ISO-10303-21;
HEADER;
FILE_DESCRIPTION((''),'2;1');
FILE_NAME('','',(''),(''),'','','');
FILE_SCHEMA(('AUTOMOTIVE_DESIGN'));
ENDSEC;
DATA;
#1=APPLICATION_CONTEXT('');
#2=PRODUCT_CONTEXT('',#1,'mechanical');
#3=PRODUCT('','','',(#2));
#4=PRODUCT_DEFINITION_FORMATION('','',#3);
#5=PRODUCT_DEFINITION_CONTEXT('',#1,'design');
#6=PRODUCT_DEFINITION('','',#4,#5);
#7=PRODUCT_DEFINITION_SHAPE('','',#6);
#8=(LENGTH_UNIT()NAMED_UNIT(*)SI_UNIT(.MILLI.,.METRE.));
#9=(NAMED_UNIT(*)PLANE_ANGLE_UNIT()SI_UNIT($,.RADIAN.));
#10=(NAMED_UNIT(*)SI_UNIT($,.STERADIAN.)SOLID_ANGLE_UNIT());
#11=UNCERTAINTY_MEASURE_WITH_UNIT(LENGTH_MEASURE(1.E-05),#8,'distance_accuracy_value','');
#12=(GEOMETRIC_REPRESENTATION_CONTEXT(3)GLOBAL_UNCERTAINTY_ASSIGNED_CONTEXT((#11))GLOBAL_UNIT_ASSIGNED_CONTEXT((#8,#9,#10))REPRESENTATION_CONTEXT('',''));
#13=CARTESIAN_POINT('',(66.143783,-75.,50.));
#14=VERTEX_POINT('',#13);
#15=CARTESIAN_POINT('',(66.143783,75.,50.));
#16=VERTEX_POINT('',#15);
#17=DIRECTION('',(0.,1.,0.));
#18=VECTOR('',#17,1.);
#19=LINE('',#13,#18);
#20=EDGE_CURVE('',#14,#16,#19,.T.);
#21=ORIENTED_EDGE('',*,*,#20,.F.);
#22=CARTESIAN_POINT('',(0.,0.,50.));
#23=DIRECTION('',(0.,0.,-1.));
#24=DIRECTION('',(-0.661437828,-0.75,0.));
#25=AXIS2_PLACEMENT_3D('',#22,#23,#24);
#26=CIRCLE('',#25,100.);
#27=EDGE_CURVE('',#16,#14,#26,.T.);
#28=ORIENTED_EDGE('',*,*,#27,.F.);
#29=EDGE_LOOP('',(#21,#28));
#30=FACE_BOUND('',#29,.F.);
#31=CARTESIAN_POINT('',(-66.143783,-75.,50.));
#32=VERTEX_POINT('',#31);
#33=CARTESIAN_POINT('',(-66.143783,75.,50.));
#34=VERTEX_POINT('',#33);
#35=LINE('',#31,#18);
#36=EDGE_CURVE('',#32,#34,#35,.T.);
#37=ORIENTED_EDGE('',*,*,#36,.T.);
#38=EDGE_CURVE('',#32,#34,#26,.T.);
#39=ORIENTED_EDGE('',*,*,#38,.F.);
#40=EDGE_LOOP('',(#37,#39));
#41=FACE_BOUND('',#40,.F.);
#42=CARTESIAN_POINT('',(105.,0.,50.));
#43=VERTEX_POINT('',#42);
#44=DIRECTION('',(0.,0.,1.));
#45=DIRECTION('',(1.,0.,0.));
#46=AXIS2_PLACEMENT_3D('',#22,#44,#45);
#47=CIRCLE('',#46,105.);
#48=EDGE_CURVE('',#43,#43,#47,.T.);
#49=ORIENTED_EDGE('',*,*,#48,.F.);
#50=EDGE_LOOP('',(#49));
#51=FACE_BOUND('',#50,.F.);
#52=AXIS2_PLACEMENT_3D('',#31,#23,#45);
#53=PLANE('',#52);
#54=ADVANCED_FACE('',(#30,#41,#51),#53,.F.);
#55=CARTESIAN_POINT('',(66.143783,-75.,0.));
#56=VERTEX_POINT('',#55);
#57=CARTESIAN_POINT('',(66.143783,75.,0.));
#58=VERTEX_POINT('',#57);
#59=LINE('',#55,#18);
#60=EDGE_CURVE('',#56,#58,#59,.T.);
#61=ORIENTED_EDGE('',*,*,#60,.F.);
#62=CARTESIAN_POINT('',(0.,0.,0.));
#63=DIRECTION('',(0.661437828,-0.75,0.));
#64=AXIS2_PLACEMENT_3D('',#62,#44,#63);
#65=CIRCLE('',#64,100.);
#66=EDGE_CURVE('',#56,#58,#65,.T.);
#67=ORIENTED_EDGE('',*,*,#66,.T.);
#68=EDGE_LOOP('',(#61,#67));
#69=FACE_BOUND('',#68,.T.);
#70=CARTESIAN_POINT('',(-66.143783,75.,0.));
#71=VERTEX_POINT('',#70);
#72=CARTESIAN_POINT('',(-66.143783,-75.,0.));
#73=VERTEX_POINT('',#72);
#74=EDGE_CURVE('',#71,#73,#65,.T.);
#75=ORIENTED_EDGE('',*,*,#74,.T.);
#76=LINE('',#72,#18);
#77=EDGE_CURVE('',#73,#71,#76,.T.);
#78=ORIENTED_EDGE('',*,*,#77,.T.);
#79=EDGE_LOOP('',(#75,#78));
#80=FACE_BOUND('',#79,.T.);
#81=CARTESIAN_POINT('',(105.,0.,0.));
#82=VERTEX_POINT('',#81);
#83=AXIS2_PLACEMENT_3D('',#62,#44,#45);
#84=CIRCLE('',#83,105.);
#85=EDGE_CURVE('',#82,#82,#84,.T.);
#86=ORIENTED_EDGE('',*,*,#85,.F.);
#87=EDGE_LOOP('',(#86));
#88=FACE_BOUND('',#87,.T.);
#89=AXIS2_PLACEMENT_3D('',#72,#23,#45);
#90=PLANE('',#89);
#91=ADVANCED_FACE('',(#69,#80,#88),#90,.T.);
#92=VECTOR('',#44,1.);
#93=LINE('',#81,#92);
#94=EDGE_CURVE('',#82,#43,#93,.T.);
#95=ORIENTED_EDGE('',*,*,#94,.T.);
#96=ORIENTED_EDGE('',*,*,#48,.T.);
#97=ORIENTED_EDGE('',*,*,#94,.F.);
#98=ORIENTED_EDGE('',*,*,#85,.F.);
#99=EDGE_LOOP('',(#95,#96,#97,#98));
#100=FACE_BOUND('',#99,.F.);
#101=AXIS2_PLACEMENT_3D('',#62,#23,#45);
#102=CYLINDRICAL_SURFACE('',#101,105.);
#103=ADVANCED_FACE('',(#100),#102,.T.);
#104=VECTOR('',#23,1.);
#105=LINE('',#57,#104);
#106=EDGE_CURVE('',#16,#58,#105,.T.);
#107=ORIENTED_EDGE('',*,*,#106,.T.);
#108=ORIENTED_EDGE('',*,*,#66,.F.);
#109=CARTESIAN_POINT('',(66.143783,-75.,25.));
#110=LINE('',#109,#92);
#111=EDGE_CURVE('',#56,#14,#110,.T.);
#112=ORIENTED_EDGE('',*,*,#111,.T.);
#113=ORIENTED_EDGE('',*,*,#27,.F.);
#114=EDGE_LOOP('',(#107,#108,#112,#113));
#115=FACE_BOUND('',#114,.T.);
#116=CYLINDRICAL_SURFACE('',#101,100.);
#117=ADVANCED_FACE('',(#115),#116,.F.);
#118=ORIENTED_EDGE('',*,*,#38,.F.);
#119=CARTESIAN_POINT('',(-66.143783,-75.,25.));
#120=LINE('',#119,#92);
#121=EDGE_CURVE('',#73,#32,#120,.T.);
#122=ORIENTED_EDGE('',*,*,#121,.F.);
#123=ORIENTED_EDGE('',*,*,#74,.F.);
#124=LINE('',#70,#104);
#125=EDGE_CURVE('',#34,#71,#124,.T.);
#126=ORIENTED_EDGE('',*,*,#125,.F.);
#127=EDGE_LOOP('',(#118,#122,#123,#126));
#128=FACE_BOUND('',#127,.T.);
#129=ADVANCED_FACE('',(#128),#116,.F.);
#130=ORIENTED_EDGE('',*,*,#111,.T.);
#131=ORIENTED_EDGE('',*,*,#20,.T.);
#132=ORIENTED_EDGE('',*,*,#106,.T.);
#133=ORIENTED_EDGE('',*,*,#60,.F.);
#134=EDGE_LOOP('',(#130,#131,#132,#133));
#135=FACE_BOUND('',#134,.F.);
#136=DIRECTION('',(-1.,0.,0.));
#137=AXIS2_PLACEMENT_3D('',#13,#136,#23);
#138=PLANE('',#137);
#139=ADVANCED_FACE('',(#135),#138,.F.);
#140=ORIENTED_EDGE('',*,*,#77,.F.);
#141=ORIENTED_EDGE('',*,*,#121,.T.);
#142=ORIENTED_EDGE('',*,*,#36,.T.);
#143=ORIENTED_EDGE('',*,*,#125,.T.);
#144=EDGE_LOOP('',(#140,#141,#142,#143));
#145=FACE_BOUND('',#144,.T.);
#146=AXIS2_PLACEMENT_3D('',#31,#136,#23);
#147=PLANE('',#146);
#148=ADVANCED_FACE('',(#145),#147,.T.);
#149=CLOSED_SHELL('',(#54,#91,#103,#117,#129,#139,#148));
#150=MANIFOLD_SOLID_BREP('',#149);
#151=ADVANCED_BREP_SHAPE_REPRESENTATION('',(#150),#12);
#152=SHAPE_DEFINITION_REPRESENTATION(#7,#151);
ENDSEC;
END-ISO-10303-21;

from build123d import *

# Parameters (mm, degrees)
F0_R      = 105
F0_R_2    = 100
F1_DEPTH  = 50
F3_W      = 132.2875655532
F3_H      = 50
F4_FACE_W = 132.2875655532
F4_FACE_H = 50


with BuildPart() as f1:
    # F0 (on Top) → F1 (new body)
    with BuildSketch(Plane.XY):
        Circle(F0_R)
        Circle(F0_R_2, mode=Mode.SUBTRACT)
    extrude(amount=F1_DEPTH)

    # F3 (on offset) → F4 (join, up to the next surface of F1)
    with BuildSketch(Plane.XZ.offset(75)):
        with Locations((0, 25)):
            Rectangle(F3_W, F3_H)
    extrude(until=Until.NEXT)

    # F4_face (on face) → F5 (join, up to the next surface of F1)
    with BuildSketch(Plane(origin=(0, -75, 25), x_dir=(1, 0, 0), z_dir=(0, 1, 0))):
        Rectangle(F4_FACE_W, F4_FACE_H)
    extrude(until=Until.NEXT)


solid = f1.part
